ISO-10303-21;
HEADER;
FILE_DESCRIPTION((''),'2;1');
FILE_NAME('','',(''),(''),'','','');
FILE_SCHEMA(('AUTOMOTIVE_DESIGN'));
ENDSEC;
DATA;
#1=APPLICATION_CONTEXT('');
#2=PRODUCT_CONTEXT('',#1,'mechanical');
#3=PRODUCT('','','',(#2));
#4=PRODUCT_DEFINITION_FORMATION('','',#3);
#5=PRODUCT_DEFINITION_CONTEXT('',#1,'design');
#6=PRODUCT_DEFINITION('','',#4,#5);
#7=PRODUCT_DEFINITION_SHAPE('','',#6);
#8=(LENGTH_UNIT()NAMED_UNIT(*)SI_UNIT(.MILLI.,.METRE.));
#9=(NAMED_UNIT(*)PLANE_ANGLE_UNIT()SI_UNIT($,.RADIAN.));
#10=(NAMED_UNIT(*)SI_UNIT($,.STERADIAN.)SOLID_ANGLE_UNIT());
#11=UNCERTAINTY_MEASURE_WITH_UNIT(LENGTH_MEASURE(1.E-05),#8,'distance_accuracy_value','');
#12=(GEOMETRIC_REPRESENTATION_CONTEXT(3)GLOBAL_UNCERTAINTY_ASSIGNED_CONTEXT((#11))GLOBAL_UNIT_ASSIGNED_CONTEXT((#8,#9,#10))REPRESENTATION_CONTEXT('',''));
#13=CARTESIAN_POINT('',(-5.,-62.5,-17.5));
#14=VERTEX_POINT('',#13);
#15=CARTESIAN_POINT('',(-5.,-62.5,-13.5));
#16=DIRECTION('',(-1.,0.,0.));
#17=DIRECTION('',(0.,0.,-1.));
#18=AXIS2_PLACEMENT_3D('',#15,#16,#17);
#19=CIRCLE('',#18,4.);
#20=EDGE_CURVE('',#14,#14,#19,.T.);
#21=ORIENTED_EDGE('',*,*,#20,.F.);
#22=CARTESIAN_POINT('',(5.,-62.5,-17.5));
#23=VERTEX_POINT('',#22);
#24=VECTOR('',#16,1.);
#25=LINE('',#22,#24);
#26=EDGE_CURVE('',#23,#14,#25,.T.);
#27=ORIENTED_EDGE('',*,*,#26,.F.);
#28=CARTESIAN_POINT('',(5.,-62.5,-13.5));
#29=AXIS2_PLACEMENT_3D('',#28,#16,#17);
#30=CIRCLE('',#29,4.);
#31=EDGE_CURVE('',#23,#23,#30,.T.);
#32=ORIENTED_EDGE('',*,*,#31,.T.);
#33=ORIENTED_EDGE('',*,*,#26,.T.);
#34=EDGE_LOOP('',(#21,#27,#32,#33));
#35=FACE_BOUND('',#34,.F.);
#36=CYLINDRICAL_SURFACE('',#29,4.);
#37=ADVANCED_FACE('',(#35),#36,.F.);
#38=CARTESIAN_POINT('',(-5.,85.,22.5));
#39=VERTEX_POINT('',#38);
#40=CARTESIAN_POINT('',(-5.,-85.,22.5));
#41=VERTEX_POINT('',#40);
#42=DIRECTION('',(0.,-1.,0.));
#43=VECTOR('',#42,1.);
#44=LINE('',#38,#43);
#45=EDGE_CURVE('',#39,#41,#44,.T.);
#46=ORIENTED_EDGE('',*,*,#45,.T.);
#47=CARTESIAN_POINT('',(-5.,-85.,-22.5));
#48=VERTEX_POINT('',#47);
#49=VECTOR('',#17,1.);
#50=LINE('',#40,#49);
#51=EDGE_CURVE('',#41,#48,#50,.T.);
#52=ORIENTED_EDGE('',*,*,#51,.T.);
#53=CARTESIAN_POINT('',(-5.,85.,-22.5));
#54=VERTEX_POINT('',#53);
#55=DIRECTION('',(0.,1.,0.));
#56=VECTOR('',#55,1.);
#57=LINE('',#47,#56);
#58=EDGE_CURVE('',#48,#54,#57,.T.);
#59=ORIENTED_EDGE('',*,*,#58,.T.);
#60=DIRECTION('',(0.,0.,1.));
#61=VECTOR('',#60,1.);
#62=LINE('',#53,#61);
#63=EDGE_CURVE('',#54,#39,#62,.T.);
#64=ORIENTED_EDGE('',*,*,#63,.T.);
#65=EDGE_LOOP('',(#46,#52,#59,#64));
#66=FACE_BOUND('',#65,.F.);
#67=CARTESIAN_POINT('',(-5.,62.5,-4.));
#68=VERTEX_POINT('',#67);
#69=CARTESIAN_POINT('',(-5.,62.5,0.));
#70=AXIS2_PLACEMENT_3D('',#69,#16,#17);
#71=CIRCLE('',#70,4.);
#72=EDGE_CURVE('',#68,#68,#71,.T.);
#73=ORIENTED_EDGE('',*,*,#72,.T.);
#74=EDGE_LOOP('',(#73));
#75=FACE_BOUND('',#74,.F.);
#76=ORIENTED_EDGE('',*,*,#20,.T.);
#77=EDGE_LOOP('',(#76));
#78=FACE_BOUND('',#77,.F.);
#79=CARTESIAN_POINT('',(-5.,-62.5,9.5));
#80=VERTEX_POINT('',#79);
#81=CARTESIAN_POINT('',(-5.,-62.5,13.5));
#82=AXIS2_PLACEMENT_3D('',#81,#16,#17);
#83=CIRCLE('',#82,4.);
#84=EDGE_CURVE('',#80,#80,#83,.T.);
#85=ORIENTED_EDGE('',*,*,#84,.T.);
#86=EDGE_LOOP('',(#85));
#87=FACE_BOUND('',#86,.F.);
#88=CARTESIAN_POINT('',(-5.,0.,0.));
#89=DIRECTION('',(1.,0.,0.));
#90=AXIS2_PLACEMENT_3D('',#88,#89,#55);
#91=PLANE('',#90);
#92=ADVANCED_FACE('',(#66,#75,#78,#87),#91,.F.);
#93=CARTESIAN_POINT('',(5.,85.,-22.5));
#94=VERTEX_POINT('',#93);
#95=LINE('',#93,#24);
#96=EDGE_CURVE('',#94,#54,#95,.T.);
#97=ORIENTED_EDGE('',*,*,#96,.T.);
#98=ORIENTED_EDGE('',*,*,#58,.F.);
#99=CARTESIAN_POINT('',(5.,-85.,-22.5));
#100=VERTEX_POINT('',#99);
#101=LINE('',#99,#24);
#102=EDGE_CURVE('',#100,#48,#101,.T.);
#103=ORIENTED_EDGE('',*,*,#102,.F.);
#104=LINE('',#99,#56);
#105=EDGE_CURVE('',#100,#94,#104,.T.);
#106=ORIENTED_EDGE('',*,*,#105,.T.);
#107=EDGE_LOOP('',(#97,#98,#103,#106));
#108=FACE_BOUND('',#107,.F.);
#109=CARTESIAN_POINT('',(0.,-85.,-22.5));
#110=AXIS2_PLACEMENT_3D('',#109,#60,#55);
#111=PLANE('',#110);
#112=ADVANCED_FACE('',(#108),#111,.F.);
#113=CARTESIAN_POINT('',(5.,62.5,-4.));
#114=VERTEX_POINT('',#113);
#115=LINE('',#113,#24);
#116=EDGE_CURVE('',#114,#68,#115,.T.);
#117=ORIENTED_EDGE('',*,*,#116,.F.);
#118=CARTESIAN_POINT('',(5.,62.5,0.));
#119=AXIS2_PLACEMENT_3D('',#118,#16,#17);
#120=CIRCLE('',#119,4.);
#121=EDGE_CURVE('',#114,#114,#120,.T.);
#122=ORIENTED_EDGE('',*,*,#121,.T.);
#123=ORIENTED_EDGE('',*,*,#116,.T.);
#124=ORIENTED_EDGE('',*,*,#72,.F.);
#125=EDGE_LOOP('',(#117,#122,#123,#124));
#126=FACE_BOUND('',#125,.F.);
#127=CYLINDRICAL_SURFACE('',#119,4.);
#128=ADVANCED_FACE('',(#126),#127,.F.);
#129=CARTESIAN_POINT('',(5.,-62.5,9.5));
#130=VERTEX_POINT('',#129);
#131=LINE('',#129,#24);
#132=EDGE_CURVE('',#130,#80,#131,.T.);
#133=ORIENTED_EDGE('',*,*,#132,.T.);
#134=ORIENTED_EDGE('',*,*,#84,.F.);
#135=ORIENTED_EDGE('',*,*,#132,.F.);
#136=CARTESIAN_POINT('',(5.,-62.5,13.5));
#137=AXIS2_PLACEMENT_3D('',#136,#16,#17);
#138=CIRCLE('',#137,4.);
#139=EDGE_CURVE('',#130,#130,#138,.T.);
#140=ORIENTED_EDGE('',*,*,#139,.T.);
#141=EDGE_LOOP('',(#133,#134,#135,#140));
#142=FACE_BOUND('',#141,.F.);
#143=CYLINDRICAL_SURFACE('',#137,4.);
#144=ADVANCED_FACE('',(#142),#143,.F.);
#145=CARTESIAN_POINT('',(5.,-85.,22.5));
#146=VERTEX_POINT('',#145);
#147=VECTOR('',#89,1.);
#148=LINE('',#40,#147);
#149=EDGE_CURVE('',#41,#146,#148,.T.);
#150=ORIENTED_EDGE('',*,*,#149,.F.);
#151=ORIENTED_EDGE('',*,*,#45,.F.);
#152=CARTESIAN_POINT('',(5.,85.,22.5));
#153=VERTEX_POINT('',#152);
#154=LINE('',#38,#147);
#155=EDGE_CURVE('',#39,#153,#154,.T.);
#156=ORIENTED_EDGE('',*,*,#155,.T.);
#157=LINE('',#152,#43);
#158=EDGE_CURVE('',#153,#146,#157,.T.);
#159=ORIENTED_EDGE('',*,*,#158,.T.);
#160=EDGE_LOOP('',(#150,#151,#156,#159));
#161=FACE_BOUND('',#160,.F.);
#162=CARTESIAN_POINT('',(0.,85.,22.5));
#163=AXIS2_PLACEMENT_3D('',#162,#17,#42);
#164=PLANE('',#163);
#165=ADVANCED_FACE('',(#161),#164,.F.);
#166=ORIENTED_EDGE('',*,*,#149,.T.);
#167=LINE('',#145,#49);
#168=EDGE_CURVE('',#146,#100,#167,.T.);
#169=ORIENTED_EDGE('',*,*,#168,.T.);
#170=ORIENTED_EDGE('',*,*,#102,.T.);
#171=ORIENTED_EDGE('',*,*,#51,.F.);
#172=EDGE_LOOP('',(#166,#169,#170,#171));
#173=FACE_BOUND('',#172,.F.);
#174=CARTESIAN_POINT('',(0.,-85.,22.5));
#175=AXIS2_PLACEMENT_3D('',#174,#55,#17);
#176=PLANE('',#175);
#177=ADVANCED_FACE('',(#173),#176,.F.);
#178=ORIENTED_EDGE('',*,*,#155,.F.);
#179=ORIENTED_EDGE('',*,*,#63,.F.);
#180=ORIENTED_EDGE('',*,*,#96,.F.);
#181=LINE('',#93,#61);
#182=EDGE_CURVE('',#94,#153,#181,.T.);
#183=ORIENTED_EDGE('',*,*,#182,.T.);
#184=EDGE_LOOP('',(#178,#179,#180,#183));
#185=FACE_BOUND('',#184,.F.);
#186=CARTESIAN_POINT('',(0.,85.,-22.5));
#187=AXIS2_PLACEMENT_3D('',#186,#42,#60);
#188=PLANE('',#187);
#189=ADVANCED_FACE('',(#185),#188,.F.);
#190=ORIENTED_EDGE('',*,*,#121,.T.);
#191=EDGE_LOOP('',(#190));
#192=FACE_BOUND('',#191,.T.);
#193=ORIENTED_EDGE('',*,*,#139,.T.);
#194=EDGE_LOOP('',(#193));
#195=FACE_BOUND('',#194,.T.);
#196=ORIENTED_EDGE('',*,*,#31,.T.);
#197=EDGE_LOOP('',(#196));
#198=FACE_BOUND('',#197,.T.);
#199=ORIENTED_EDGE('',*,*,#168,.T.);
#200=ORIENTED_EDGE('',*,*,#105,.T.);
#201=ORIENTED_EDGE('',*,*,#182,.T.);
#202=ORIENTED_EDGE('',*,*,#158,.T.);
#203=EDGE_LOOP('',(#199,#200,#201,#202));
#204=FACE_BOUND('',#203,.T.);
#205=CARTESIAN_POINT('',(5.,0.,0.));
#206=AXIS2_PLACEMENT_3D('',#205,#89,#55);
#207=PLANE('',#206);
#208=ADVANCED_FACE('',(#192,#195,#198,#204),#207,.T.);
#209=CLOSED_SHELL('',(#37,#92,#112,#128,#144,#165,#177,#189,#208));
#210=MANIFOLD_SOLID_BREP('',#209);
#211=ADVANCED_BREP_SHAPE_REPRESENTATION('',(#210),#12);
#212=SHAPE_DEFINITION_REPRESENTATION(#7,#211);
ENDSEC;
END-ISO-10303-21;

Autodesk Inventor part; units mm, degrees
ref_plane "YZ Plane" through (0, 0, 0) normal (1, 0, 0) x (0, 1, 0)
ref_plane "XZ Plane" through (0, 0, 0) normal (0, 1, 0) x (-1, 0, 0)
ref_plane "XY Plane" through (0, 0, 0) normal (0, 0, 1) x (1, 0, 0)
sketch "Sketch1" plane through (0, 0, 0) normal (1, 0, 0) x (0, 1, 0)
  line L0 (85, 22.5) -> (-85, 22.5)
  line L1 (-85, 22.5) -> (-85, -22.5)
  line L2 (-85, -22.5) -> (85, -22.5)
  line L3 (85, -22.5) -> (85, 22.5)
  point P0 (0, 0)
  point P1 (85, 0)
  point P2 (0, 22.5)
  dimension "d0" = 170
  dimension "d1" = 45
extrude "Extrusion1" add sketch "Sketch1" along normal mid plane 10
sketch "Sketch2" plane through (5, 0, 0) normal (1, 0, 0) x (0, 0, -1)
  line L0 (-13.5, -62.5) -> (13.5, -62.5) construction
  line L1 (-22.5, -85) -> (22.5, -85) construction
  point P0 (0, 0)
  point P1 (0, -62.5)
  dimension "d4" = 27
  dimension "d5" = 22.5
hole "BCA M8" at (5, -62.5, 13.5) at (5, -62.5, -13.5) direction (-1, 0, 0) diameter 8 end through all
sketch "Sketch3" plane through (5, 0, 0) normal (1, 0, 0) x (0, 0, -1)
  line L0 (22.5, 85) -> (-22.5, 85) projected
  point P0 (0, 0)
  point P1 (0, 62.5)
  dimension "d13" = 22.5
hole "Hole2" at (5, 62.5, 0) direction (-1, 0, 0) diameter 8 end through all
properties part number "Sujetador prensa Trigger"
